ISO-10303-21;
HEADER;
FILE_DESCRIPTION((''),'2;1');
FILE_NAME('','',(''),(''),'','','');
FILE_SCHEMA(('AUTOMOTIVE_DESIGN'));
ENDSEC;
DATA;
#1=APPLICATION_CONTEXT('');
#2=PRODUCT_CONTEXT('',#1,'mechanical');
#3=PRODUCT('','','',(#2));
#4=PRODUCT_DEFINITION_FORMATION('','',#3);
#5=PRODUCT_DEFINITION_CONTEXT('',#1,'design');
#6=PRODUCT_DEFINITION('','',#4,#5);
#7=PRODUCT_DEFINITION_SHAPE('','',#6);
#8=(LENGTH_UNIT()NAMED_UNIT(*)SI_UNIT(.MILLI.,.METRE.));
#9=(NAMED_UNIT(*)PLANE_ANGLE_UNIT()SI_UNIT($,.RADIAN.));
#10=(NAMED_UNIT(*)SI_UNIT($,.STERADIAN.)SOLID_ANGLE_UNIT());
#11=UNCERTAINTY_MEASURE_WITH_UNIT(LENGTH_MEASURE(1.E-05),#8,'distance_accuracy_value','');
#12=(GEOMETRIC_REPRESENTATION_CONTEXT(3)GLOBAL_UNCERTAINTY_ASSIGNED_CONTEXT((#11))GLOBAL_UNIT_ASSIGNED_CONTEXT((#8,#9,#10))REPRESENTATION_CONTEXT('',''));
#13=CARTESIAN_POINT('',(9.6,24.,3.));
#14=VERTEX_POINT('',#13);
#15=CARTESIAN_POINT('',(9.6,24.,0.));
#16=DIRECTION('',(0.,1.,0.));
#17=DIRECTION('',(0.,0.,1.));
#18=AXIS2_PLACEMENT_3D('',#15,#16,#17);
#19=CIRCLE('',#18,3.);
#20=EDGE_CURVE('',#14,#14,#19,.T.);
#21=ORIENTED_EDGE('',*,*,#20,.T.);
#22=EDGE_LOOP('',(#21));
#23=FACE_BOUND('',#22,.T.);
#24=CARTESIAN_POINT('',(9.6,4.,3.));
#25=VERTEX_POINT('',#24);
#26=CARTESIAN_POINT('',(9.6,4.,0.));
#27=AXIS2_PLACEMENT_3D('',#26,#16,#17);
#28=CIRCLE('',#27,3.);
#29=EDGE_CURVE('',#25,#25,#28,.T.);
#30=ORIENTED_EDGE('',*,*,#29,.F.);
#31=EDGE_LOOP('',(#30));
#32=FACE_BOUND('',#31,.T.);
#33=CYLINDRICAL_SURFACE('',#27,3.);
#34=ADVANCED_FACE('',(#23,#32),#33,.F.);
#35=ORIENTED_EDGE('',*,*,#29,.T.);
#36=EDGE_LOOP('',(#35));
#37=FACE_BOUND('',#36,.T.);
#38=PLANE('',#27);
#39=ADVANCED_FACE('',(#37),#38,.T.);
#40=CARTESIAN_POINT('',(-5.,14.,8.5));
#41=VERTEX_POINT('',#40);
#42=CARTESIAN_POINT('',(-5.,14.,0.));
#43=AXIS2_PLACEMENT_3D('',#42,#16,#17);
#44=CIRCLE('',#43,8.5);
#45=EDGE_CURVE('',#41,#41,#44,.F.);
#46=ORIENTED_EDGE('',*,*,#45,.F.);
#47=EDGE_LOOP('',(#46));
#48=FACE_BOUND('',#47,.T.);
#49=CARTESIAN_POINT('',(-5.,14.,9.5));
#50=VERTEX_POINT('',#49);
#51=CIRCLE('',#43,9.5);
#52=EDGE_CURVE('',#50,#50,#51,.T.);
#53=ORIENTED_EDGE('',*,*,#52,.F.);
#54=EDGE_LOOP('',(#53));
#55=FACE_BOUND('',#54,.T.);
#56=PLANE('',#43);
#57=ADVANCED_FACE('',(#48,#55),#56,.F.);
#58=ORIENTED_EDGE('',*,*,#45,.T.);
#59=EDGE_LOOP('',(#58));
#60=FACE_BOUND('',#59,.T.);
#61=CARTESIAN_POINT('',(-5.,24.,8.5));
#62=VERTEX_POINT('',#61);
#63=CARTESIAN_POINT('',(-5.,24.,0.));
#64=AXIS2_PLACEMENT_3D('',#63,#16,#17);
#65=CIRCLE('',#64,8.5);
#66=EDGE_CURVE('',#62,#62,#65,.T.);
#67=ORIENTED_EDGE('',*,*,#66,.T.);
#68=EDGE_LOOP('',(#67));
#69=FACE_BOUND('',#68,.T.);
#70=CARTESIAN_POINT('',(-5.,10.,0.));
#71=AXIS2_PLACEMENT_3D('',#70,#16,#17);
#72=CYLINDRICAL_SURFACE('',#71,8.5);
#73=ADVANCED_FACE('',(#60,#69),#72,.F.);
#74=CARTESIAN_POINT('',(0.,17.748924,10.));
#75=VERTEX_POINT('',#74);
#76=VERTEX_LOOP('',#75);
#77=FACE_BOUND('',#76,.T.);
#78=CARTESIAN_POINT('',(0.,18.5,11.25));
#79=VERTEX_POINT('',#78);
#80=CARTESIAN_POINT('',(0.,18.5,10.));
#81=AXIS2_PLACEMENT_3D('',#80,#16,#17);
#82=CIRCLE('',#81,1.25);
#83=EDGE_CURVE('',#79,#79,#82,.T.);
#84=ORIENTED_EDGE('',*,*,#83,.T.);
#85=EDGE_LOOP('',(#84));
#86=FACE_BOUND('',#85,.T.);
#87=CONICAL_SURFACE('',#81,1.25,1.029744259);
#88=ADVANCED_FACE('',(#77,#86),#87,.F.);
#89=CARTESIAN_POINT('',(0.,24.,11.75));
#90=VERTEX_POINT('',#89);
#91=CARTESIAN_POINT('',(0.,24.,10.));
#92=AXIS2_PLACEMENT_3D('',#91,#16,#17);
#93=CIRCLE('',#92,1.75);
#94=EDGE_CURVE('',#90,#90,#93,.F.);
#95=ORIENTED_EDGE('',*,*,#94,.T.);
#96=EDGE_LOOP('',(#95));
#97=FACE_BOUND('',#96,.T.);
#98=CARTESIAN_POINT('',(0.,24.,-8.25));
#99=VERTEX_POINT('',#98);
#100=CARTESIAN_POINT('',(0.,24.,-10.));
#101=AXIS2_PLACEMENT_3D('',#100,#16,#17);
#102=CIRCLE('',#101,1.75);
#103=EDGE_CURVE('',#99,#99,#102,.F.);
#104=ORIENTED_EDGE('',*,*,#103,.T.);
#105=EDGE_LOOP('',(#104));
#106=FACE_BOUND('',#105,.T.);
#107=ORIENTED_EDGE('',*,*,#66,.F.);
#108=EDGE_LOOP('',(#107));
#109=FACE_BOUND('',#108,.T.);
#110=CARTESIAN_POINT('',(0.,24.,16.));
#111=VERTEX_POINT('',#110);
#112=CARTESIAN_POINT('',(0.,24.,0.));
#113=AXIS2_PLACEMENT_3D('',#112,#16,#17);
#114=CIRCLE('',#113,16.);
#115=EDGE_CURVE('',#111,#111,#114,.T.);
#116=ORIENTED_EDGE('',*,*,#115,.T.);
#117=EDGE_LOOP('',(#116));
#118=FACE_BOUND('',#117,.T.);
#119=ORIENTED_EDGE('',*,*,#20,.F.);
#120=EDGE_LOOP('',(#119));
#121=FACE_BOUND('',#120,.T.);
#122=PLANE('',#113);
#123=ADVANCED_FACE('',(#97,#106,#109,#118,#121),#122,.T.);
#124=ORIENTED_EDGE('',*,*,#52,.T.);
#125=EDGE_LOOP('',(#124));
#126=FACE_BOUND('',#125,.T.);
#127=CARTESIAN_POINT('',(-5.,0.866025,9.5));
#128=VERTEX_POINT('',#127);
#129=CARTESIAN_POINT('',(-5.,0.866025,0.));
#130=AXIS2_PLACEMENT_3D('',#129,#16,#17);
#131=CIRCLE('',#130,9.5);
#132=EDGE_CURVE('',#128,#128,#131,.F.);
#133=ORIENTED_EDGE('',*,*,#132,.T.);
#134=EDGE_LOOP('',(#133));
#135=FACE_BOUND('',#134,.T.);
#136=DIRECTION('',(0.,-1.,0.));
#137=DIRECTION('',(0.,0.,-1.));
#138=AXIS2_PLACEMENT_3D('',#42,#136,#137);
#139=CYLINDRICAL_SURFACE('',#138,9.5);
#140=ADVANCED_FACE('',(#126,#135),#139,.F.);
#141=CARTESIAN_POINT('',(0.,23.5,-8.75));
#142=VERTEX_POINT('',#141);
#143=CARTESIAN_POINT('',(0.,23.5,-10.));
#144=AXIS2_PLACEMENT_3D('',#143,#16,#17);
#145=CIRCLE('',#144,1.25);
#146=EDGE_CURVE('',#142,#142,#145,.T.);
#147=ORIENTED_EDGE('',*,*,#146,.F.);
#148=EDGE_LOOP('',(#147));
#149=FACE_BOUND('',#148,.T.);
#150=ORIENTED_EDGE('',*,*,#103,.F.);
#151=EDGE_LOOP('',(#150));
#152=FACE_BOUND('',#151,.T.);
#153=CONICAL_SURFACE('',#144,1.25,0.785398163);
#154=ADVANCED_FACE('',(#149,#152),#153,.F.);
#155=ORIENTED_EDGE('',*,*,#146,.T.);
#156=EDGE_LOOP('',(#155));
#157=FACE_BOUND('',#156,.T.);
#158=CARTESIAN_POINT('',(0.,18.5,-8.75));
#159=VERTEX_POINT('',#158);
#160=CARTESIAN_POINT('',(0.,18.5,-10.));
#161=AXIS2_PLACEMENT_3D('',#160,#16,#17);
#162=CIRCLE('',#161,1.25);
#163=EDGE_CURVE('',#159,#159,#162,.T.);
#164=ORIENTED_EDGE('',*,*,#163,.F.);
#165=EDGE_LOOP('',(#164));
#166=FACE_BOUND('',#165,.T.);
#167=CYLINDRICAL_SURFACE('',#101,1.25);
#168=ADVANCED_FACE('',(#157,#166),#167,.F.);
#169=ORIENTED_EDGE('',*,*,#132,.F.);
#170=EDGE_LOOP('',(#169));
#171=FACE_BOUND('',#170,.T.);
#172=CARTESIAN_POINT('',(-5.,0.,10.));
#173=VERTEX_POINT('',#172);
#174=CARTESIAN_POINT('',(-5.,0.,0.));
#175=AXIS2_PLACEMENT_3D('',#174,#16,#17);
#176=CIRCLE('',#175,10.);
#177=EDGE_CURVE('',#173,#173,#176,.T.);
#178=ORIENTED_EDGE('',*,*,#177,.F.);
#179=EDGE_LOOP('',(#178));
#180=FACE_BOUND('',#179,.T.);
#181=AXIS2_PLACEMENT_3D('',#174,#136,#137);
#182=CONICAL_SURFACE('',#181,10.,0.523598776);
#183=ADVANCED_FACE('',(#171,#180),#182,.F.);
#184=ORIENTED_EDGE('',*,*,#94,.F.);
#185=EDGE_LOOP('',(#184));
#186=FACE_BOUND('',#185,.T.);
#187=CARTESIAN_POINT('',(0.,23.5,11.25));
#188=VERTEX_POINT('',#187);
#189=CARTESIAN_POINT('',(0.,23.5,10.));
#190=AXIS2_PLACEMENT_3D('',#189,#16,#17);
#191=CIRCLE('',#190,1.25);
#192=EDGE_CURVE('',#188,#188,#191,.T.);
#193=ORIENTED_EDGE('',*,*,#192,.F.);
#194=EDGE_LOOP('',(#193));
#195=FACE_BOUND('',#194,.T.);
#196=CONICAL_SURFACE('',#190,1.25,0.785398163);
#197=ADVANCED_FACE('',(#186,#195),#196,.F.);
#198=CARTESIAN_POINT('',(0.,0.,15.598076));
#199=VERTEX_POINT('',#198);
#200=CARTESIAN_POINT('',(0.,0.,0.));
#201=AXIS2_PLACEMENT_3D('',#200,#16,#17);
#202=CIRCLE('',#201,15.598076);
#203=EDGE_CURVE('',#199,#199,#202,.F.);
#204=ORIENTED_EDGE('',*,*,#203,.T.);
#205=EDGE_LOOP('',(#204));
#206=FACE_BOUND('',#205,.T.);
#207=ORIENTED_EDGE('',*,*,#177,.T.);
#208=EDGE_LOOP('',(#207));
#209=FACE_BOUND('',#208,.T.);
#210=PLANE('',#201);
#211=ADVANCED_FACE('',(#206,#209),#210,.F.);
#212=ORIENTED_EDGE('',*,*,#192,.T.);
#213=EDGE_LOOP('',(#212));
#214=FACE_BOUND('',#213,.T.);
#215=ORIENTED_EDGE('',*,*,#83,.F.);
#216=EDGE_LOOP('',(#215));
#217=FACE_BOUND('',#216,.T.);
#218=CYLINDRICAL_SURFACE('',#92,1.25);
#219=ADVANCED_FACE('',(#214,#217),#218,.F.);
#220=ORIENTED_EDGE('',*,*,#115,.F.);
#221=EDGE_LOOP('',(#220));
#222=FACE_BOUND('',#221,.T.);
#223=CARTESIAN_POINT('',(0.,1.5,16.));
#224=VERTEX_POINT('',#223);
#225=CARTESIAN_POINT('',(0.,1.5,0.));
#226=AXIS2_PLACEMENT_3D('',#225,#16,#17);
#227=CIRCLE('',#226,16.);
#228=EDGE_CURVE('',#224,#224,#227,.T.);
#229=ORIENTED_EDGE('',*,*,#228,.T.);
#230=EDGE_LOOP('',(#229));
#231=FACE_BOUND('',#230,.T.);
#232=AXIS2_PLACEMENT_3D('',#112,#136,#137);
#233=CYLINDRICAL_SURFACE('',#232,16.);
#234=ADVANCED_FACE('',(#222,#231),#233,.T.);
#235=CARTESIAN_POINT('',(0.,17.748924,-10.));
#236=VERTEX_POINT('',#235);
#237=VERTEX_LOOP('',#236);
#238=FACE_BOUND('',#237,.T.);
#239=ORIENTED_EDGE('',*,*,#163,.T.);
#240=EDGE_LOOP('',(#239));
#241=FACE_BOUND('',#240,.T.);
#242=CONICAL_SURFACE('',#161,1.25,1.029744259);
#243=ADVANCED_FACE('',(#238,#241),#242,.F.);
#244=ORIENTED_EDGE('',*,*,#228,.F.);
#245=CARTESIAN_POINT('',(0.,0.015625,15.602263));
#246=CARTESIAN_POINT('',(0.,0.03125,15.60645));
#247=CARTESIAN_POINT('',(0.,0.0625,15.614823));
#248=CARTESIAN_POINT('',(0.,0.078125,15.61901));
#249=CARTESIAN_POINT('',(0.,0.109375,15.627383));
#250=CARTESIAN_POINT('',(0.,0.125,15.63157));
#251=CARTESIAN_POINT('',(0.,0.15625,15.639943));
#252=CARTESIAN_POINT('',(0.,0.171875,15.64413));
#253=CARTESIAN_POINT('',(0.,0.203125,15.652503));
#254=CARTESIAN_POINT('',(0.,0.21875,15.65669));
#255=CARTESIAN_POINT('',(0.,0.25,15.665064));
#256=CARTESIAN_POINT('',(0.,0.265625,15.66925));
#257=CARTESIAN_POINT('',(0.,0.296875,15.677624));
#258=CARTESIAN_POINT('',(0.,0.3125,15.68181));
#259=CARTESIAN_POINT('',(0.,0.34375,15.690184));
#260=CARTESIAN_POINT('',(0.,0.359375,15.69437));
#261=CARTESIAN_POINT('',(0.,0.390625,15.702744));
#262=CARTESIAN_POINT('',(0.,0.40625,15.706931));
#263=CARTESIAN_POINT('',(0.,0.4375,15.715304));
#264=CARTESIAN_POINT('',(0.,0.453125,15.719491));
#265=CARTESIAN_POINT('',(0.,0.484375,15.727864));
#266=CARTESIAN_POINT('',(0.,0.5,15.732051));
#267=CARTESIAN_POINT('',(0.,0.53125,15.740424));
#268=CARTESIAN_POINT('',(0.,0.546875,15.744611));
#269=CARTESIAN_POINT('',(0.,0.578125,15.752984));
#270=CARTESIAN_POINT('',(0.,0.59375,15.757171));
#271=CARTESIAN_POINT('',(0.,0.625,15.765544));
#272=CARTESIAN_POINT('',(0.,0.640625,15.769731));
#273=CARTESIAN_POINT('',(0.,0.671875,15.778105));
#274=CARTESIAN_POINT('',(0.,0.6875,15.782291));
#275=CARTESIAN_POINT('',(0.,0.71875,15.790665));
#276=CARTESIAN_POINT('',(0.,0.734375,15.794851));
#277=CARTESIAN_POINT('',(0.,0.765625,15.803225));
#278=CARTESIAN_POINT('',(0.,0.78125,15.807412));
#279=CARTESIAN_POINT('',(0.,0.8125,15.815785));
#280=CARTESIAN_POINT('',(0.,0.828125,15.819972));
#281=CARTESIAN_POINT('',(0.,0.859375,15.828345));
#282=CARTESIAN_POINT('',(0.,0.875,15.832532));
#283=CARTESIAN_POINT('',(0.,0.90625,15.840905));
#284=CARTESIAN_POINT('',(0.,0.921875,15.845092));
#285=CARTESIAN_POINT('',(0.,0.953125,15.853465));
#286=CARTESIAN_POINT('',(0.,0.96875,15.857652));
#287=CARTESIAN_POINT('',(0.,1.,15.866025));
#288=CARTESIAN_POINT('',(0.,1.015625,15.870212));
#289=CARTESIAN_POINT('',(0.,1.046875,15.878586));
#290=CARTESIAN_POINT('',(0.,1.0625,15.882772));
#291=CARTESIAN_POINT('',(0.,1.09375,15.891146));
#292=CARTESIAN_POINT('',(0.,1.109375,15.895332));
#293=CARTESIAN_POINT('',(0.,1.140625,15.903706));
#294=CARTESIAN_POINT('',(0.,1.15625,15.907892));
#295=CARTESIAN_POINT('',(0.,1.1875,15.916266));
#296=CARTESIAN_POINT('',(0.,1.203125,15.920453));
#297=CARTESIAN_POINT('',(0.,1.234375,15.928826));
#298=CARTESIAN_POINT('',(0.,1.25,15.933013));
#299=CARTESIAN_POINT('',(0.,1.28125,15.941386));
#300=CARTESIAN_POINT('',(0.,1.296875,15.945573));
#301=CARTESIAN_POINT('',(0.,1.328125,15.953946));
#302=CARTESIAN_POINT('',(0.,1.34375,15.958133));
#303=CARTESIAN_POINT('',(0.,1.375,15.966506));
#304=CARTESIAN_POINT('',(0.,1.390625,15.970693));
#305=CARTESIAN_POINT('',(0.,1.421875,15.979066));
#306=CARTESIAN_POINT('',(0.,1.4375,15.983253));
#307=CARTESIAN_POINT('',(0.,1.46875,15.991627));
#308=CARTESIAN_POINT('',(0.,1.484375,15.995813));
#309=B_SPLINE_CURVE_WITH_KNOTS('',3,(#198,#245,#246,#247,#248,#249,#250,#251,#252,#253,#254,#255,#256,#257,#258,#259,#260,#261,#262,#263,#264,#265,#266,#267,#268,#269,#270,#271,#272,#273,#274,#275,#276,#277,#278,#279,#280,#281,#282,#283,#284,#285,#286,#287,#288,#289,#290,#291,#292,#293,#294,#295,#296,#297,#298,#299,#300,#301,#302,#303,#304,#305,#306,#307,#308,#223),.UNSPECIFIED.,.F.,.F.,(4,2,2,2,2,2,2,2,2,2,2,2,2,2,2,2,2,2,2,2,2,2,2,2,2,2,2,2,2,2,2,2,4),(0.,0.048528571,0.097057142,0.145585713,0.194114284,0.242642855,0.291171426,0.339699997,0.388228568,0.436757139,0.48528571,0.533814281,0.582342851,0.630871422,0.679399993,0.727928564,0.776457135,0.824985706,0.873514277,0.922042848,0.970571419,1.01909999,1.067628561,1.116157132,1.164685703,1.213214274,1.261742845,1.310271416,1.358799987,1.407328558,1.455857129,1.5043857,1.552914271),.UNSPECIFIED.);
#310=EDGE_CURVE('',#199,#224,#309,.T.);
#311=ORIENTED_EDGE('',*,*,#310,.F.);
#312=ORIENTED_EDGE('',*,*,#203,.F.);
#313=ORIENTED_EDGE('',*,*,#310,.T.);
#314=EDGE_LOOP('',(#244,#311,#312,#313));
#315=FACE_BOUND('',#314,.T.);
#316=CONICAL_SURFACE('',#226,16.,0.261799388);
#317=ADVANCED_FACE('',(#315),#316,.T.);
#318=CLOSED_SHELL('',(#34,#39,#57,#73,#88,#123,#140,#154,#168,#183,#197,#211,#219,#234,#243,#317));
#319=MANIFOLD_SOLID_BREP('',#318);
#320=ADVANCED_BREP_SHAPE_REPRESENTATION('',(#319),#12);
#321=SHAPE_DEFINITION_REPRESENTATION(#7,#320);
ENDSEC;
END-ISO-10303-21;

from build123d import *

# Parameters (mm, degrees)
SKETCH_1_R          = 16
EXTRUDE_1_DEPTH     = 24
SKETCH_2_R          = 8.5
CUT_EXTRUDE_1_DEPTH = 14
SKETCH_3_R          = 3
CUT_EXTRUDE_2_DEPTH = 20
SKETCH_4_R          = 9.5
CUT_EXTRUDE_4_DEPTH = 14
CHAMFER_1_SIZE      = 0.5
CHAMFER_1_SIZE2     = 0.866025404
CHAMFER_2_SIZE      = 1.5
CHAMFER_2_SIZE2     = 0.401923789
M3X0_51_D           = 2.5
M3X0_51_DEPTH       = 5.5
M3X0_51_TIP         = 0.751075774
CHAMFER_3_SIZE      = 0.5


with BuildPart() as part:
    # Эскиз1 → Бобышка-Вытянуть1 (new body)
    with BuildSketch(Plane(origin=(0, 0, 0), x_dir=(1, 0, 0), z_dir=(0, 1, 0))):
        with Locations(Location((0, 0, 0), (0, 0, 270))):
            Circle(SKETCH_1_R)
    extrude(amount=EXTRUDE_1_DEPTH)

    # Эскиз2 → Вырез-Вытянуть1 (cut)
    with BuildSketch(Plane(origin=(0, 24, 0), x_dir=(1, 0, 0), z_dir=(0, 1, 0))):
        with Locations(Location((-5, 0, 0), (0, 0, 270))):
            Circle(SKETCH_2_R)
    extrude(amount=-CUT_EXTRUDE_1_DEPTH, mode=Mode.SUBTRACT)

    # Эскиз3 → Вырез-Вытянуть2 (cut)
    with BuildSketch(Plane(origin=(0, 24, 0), x_dir=(1, 0, 0), z_dir=(0, 1, 0))):
        with Locations(Location((9.6, 0, 0), (0, 0, 270))):
            Circle(SKETCH_3_R)
    extrude(amount=-CUT_EXTRUDE_2_DEPTH, mode=Mode.SUBTRACT)

    # Эскиз4 → Вырез-Вытянуть4 (cut)
    with BuildSketch(Plane(origin=(0, 0, 0), x_dir=(1, 0, 0), z_dir=(0, 1, 0))):
        with Locations(Location((-5, 0, 0), (0, 0, 270))):
            Circle(SKETCH_4_R)
    extrude(amount=CUT_EXTRUDE_4_DEPTH, mode=Mode.SUBTRACT)

    # Фаска1
    chamfer_1_edges = [part.edges().sort_by_distance(p)[0] for p in [
        (-5, 0, -9.5),
    ]]
    chamfer_1_side = [part.faces().sort_by_distance(p)[0] for p in [
        (0, 0, -15.54745166),
    ]]
    chamfer(chamfer_1_edges, length=CHAMFER_1_SIZE, length2=CHAMFER_1_SIZE2, reference=chamfer_1_side[0])

    # Фаска2
    chamfer_2_edges = [part.edges().sort_by_distance(p)[0] for p in [
        (0, 0, -16),
    ]]
    chamfer_2_side = [part.faces().sort_by_distance(p)[0] for p in [
        (0, 12, -16),
    ]]
    chamfer(chamfer_2_edges, length=CHAMFER_2_SIZE, length2=CHAMFER_2_SIZE2, reference=chamfer_2_side[0])

    # Отверстие обработанное метчиком M3x0.51
    with Locations(Plane(origin=(0, 24, 0), x_dir=(1, 0, 0), z_dir=(0, 1, 0))):
        with Locations((0, 10), (0, -10)):
            Hole(M3X0_51_D / 2, depth=M3X0_51_DEPTH)
            with Locations((0, 0, -(M3X0_51_DEPTH + M3X0_51_TIP / 2))):  # 118° drill point
                Cone(0, M3X0_51_D / 2, M3X0_51_TIP, mode=Mode.SUBTRACT)

    # Фаска3
    chamfer_3_edges = [part.edges().sort_by_distance(p)[0] for p in [
        (1.25, 24, 10),
        (1.25, 24, -10),
    ]]
    chamfer(chamfer_3_edges, length=CHAMFER_3_SIZE)


solid = part.part
